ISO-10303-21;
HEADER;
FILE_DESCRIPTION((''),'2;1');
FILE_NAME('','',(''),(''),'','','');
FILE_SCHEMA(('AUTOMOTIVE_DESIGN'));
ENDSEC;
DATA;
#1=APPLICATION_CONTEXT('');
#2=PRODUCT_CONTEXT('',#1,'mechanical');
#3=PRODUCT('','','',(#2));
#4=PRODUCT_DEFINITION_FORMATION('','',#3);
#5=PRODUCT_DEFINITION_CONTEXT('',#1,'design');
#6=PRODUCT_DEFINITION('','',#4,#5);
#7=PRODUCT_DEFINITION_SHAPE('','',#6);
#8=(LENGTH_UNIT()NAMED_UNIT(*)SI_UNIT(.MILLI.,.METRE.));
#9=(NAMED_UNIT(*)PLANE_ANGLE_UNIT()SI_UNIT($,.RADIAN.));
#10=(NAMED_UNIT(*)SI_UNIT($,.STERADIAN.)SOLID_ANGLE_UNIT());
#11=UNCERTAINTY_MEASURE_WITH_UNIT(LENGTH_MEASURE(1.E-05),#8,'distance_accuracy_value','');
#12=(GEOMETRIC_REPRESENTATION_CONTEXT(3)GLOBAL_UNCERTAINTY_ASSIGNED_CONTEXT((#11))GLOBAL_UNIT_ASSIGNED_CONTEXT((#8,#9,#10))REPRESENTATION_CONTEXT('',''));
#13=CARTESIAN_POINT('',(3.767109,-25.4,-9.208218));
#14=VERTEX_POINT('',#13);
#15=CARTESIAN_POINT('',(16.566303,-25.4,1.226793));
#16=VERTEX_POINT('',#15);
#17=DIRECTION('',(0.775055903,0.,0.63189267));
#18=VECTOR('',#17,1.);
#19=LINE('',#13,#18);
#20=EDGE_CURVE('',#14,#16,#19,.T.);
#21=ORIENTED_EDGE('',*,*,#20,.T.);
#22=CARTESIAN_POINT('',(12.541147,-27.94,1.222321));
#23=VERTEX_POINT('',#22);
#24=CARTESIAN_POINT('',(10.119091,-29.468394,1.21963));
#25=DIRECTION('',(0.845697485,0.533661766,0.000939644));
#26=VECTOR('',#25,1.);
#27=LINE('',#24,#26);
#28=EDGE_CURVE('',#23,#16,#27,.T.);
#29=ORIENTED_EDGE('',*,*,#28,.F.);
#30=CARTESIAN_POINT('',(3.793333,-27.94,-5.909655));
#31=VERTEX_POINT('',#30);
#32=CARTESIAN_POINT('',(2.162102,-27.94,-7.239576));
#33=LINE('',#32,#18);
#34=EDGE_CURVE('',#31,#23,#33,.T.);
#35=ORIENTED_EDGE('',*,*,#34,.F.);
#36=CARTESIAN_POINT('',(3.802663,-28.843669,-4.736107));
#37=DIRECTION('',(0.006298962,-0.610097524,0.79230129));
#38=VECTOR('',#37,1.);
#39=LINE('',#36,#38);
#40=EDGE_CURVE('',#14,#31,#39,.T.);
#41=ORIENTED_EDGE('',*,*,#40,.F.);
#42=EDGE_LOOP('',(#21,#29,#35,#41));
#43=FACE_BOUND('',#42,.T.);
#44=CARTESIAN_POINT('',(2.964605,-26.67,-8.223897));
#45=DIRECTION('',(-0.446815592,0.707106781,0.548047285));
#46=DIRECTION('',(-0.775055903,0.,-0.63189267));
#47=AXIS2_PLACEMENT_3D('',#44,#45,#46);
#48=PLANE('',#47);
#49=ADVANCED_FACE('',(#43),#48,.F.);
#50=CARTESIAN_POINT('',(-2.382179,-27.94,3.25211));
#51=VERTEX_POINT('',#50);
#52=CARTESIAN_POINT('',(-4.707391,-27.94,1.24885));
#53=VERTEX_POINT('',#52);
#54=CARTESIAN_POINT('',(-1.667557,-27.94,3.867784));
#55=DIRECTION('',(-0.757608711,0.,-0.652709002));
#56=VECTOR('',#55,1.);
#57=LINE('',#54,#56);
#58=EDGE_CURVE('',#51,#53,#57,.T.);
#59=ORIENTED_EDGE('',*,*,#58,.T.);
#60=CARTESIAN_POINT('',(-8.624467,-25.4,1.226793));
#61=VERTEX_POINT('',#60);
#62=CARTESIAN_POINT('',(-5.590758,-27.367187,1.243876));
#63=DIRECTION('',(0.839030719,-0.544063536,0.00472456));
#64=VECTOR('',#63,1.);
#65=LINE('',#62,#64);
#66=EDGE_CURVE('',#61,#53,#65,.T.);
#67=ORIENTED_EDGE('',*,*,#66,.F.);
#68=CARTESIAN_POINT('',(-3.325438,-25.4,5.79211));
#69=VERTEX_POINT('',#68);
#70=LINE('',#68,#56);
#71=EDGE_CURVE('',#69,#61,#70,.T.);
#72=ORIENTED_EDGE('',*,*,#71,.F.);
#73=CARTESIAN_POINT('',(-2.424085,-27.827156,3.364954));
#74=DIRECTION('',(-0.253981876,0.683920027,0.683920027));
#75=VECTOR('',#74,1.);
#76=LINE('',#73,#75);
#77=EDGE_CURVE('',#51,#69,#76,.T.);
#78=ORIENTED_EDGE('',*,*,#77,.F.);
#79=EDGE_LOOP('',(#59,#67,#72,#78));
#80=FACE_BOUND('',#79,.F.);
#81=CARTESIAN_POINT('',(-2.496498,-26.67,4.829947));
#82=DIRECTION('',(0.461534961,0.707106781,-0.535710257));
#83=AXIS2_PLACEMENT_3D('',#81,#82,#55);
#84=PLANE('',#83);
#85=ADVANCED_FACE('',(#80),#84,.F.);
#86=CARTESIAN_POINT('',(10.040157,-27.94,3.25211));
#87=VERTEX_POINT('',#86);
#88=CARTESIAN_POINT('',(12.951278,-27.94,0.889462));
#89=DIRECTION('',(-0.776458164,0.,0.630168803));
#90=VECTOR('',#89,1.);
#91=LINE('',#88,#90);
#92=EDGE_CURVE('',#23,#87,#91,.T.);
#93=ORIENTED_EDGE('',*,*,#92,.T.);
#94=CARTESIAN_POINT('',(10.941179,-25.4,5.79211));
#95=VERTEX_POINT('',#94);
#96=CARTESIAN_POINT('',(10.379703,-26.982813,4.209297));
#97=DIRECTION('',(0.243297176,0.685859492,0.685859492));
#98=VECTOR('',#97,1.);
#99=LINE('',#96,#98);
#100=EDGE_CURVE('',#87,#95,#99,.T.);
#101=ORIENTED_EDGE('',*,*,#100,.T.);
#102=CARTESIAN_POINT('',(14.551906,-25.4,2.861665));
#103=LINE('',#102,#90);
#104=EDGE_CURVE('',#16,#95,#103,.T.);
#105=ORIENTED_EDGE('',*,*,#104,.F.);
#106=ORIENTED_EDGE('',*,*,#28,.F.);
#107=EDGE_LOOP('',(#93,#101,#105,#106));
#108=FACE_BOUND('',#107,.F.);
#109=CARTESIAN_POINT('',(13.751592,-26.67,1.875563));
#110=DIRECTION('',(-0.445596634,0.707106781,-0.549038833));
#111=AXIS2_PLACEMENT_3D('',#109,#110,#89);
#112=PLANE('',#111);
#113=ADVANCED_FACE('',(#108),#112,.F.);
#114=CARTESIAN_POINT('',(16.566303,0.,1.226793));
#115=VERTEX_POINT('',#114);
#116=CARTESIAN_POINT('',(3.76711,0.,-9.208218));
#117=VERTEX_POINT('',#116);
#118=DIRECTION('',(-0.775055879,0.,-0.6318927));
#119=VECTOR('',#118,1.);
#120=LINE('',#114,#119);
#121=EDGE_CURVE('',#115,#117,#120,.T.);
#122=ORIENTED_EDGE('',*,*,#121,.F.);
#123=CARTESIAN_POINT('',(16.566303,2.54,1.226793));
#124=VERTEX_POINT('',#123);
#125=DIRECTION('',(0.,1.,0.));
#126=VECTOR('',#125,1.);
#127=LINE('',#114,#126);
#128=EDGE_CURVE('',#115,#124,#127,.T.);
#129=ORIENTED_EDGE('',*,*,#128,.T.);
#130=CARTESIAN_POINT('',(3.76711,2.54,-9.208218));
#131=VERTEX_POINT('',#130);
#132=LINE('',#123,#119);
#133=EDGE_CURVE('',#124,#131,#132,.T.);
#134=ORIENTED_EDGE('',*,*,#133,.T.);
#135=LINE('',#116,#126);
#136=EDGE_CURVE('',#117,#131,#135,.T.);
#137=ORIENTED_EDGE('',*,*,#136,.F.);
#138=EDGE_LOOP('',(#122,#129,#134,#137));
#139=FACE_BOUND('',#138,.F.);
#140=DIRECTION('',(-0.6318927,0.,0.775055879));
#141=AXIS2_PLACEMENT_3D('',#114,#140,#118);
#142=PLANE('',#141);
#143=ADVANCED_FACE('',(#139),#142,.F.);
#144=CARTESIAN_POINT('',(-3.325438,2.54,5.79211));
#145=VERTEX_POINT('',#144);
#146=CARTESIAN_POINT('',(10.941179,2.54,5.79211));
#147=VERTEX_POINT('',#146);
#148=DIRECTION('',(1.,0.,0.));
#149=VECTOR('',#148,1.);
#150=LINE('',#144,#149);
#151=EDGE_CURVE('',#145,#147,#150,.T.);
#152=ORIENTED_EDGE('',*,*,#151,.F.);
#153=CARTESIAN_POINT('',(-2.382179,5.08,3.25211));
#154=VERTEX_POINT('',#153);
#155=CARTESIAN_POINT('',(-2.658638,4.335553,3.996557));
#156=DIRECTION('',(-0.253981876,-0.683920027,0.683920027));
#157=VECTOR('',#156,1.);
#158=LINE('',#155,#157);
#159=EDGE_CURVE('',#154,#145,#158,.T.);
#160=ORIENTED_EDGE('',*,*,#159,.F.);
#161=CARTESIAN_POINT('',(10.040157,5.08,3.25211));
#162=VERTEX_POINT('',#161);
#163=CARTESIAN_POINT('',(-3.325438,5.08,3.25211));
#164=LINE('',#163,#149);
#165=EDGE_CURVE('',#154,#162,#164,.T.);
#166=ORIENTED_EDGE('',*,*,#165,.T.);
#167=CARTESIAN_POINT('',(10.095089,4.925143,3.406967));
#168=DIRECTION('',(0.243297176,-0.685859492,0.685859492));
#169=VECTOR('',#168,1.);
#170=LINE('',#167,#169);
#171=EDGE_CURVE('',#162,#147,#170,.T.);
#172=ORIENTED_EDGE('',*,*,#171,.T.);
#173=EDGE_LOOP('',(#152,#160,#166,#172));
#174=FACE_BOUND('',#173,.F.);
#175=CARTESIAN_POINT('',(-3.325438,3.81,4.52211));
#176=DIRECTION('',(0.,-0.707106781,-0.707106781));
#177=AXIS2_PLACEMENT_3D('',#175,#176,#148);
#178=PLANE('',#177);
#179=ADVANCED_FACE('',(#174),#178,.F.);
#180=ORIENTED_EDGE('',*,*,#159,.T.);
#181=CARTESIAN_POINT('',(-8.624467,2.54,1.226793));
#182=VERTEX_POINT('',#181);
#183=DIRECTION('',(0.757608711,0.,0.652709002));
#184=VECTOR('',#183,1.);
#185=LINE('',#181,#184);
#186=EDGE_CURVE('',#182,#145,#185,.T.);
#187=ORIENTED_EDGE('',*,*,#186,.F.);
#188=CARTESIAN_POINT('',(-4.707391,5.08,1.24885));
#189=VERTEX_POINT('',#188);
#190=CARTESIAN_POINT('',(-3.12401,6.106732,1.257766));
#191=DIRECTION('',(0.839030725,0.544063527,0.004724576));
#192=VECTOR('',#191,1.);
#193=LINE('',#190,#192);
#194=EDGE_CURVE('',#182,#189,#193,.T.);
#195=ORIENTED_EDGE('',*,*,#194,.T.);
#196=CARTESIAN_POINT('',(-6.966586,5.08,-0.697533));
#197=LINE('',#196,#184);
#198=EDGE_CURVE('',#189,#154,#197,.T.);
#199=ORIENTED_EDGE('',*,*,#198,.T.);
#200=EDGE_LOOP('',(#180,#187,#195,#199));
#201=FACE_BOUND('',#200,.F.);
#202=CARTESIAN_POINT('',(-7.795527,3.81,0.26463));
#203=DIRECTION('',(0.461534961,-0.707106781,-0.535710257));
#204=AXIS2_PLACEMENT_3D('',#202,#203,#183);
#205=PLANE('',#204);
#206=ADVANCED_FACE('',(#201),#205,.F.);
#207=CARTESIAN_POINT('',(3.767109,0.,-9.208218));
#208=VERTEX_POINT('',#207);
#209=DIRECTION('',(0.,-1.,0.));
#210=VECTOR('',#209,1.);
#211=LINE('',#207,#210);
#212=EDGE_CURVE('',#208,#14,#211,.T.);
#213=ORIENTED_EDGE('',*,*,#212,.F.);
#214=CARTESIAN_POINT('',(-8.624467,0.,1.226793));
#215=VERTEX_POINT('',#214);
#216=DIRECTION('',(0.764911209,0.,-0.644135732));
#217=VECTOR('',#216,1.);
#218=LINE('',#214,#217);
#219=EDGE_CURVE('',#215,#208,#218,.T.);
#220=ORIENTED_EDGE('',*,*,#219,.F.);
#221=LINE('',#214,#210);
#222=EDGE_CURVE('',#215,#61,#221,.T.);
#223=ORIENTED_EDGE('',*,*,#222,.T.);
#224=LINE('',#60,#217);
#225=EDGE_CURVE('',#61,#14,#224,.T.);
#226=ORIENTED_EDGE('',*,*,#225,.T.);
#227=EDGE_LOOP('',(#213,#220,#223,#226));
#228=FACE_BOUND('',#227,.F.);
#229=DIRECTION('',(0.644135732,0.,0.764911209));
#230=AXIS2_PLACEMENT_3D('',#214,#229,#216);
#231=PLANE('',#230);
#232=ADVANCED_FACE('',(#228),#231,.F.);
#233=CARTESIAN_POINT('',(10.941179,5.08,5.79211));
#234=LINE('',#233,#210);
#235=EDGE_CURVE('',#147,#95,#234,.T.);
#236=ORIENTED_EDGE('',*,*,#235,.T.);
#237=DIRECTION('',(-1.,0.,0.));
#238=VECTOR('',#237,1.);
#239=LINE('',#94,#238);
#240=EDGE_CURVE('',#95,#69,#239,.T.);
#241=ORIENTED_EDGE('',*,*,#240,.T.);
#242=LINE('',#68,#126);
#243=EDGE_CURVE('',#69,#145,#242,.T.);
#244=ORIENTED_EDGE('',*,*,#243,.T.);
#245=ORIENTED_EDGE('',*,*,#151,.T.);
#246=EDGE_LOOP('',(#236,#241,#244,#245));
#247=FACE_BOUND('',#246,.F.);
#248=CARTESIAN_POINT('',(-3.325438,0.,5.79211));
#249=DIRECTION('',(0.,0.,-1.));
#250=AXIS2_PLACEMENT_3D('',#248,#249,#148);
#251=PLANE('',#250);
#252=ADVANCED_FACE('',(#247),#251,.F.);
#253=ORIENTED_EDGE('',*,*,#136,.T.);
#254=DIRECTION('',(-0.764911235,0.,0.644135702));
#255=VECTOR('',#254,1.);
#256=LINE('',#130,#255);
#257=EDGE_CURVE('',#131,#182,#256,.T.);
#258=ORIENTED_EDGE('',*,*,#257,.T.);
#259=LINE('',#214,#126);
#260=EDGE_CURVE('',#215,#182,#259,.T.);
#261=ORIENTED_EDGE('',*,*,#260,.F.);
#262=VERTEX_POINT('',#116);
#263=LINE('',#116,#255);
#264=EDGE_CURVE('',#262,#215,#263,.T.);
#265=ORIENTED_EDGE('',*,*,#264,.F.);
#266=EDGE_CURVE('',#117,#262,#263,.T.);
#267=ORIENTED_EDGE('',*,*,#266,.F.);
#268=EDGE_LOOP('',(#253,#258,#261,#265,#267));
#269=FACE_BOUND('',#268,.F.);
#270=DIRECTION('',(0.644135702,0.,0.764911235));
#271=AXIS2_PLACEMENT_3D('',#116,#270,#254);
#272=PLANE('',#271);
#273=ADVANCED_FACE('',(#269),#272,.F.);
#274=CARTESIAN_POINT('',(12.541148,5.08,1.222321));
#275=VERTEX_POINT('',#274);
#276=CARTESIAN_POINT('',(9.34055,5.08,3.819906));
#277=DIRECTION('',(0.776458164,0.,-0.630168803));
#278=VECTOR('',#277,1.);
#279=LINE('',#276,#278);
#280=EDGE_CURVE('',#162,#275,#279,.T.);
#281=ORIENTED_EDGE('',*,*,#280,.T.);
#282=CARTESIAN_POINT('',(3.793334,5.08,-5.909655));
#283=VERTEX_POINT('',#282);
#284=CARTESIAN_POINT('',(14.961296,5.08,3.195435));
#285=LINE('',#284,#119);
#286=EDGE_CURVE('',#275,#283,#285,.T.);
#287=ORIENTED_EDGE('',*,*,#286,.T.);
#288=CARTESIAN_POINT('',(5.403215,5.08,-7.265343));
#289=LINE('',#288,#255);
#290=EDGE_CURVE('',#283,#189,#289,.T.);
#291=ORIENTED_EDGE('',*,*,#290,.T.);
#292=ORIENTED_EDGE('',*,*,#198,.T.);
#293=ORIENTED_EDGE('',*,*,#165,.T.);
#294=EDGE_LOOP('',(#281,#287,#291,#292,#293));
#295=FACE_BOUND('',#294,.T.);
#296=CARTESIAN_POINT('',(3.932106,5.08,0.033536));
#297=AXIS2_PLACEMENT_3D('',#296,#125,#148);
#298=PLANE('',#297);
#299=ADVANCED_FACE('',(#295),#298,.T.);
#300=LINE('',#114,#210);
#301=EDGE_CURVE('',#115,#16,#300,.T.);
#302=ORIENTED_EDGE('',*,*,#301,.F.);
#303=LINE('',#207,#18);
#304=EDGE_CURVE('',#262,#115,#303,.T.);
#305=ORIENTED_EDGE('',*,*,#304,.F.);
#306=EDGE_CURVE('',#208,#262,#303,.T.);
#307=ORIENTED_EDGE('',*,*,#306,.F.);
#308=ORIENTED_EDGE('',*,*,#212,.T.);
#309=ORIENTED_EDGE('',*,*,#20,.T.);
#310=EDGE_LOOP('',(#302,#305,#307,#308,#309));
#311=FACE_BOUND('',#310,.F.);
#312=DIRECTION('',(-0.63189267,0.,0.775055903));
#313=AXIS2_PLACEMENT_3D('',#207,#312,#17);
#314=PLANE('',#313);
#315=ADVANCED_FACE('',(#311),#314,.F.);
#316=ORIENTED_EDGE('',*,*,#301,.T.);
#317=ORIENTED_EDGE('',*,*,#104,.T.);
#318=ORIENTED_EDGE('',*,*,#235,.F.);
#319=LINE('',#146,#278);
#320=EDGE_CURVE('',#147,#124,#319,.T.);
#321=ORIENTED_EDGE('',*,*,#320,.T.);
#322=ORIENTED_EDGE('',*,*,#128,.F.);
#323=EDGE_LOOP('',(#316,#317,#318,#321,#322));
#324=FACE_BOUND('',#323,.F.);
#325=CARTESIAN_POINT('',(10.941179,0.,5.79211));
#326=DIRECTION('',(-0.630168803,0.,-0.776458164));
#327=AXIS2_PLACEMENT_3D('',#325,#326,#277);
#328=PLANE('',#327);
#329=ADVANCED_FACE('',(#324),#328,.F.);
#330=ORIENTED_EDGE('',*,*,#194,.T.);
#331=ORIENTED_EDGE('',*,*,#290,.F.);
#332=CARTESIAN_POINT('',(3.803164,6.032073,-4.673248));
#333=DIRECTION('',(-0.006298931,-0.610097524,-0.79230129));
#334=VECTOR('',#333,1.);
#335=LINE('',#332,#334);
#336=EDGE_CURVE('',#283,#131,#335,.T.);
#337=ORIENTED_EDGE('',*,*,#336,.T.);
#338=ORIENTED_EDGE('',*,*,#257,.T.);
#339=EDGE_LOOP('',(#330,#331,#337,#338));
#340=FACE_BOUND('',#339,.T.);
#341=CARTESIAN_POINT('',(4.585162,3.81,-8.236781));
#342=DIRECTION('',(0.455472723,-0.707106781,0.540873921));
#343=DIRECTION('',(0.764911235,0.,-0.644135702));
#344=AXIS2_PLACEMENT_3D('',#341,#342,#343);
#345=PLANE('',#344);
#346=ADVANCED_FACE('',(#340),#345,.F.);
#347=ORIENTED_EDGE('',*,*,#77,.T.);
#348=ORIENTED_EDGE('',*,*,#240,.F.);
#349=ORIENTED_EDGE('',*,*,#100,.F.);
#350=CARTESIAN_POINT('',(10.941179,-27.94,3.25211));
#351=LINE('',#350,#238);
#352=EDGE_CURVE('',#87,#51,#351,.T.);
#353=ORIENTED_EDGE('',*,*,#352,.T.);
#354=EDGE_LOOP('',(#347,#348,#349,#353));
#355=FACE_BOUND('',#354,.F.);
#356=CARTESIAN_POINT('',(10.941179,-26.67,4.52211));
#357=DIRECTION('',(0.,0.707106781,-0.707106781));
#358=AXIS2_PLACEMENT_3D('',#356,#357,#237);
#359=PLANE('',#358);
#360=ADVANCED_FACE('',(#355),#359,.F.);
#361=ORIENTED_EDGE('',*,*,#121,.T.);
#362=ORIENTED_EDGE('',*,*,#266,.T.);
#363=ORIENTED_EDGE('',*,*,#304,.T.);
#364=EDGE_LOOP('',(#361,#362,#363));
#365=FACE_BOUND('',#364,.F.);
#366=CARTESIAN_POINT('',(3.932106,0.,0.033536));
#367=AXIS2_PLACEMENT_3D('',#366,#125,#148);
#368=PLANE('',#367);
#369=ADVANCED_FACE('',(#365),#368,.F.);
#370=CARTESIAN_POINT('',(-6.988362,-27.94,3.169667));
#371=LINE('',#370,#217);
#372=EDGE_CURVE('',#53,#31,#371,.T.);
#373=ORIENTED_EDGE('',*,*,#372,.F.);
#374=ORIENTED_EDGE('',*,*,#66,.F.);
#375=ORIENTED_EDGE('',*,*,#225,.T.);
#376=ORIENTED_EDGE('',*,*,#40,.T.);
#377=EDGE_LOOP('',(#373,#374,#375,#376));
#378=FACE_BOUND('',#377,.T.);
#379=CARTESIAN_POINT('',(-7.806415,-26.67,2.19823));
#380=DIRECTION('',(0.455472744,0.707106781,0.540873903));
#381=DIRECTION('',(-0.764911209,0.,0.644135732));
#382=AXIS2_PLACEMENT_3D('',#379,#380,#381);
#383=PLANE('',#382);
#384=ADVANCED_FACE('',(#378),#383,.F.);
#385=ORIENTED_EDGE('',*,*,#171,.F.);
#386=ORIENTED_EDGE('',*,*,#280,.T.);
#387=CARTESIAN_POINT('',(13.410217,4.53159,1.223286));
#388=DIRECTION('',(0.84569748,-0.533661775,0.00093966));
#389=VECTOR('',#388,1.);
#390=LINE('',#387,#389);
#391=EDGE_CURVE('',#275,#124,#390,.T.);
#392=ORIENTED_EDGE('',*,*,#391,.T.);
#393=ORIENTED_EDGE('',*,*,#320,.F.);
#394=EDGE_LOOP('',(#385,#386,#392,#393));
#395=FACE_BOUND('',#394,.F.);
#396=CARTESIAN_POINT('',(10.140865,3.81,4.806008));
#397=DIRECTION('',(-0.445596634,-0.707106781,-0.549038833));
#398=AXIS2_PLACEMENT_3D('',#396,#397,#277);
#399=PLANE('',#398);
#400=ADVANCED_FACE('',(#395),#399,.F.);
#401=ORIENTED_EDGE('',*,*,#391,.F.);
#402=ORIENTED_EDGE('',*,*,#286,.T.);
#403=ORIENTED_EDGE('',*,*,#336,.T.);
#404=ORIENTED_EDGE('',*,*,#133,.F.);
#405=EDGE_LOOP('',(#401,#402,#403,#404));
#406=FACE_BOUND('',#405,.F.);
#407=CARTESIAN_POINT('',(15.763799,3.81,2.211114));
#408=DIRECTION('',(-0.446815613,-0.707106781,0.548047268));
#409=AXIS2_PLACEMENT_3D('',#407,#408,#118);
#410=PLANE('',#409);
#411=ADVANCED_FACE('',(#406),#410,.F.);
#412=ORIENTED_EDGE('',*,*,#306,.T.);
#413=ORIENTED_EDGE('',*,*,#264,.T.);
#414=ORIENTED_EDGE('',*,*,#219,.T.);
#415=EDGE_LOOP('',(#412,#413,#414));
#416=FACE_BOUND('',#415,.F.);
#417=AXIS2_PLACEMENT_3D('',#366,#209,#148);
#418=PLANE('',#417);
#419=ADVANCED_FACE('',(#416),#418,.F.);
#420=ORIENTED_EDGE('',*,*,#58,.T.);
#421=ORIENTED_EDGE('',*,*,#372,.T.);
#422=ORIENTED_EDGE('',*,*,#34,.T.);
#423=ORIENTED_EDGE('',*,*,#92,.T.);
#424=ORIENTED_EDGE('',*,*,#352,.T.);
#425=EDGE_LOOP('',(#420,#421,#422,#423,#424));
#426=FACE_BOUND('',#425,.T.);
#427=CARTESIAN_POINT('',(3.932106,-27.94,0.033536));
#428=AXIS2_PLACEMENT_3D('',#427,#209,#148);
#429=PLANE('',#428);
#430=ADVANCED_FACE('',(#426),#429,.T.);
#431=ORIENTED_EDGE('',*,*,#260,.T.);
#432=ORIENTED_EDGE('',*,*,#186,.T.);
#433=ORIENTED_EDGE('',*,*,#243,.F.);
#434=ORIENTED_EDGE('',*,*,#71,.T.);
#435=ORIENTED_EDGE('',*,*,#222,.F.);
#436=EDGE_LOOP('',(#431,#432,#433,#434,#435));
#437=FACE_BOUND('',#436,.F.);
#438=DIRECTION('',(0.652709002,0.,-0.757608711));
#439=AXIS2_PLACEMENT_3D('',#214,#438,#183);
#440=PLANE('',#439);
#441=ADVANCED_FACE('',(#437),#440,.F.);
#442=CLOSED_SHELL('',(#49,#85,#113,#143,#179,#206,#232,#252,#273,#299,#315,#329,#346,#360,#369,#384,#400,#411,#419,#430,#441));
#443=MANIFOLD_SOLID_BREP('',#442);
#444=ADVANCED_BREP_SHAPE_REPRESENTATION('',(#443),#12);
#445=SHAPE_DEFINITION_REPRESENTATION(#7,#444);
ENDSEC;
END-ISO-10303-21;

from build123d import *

# Parameters (mm, degrees)
F1_DEPTH = 27.94
F2_SIZE  = 2.54
F3_SIZE  = 2.54
F4_DEPTH = 5.08
F5_SIZE  = 2.54


with BuildPart() as f1:
    # F0 (on Front) → F1 (new body)
    with BuildSketch(Plane.XZ):
        Polygon((-8.624467, 1.226793), (3.767109, -9.208218), (16.566303, 1.226793), (10.941179, 5.79211), (-3.325438, 5.79211), align=None)
    extrude(amount=F1_DEPTH)

    # F2
    f2_edges = [f1.edges().sort_by_distance(p)[0] for p in [
        (10.166706, -27.94, -3.990713),
    ]]
    chamfer(f2_edges, length=F2_SIZE)

    # F3
    f3_edges = [f1.edges().sort_by_distance(p)[0] for p in [
        (-3.417335, -27.94, -3.15816),
        (-5.974952, -27.94, 3.509451),
        (3.807871, -27.94, 5.79211),
        (12.746543, -27.94, 4.326888),
    ]]
    chamfer(f3_edges, length=F3_SIZE)

    # F1_face (on face) → F4 (join)
    with BuildSketch(Plane(origin=(3.900516, 0, 0.005362), x_dir=(1, 0, 0), z_dir=(0, 1, 0))):
        Polygon((-0.133406, 9.21358), (-12.524983, -1.221431), (-7.225954, -5.786748), (7.040663, -5.786748), (12.665787, -1.221431), align=None)
    extrude(amount=F4_DEPTH)

    # F5
    f5_edges = [f1.edges().sort_by_distance(p)[0] for p in [
        (10.166706, 5.08, -3.990713),
        (-2.428679, 5.08, -3.990713),
        (-5.974952, 5.08, 3.509451),
        (3.807871, 5.08, 5.79211),
        (13.753741, 5.08, 3.509451),
    ]]
    chamfer(f5_edges, length=F5_SIZE)


solid = f1.part
